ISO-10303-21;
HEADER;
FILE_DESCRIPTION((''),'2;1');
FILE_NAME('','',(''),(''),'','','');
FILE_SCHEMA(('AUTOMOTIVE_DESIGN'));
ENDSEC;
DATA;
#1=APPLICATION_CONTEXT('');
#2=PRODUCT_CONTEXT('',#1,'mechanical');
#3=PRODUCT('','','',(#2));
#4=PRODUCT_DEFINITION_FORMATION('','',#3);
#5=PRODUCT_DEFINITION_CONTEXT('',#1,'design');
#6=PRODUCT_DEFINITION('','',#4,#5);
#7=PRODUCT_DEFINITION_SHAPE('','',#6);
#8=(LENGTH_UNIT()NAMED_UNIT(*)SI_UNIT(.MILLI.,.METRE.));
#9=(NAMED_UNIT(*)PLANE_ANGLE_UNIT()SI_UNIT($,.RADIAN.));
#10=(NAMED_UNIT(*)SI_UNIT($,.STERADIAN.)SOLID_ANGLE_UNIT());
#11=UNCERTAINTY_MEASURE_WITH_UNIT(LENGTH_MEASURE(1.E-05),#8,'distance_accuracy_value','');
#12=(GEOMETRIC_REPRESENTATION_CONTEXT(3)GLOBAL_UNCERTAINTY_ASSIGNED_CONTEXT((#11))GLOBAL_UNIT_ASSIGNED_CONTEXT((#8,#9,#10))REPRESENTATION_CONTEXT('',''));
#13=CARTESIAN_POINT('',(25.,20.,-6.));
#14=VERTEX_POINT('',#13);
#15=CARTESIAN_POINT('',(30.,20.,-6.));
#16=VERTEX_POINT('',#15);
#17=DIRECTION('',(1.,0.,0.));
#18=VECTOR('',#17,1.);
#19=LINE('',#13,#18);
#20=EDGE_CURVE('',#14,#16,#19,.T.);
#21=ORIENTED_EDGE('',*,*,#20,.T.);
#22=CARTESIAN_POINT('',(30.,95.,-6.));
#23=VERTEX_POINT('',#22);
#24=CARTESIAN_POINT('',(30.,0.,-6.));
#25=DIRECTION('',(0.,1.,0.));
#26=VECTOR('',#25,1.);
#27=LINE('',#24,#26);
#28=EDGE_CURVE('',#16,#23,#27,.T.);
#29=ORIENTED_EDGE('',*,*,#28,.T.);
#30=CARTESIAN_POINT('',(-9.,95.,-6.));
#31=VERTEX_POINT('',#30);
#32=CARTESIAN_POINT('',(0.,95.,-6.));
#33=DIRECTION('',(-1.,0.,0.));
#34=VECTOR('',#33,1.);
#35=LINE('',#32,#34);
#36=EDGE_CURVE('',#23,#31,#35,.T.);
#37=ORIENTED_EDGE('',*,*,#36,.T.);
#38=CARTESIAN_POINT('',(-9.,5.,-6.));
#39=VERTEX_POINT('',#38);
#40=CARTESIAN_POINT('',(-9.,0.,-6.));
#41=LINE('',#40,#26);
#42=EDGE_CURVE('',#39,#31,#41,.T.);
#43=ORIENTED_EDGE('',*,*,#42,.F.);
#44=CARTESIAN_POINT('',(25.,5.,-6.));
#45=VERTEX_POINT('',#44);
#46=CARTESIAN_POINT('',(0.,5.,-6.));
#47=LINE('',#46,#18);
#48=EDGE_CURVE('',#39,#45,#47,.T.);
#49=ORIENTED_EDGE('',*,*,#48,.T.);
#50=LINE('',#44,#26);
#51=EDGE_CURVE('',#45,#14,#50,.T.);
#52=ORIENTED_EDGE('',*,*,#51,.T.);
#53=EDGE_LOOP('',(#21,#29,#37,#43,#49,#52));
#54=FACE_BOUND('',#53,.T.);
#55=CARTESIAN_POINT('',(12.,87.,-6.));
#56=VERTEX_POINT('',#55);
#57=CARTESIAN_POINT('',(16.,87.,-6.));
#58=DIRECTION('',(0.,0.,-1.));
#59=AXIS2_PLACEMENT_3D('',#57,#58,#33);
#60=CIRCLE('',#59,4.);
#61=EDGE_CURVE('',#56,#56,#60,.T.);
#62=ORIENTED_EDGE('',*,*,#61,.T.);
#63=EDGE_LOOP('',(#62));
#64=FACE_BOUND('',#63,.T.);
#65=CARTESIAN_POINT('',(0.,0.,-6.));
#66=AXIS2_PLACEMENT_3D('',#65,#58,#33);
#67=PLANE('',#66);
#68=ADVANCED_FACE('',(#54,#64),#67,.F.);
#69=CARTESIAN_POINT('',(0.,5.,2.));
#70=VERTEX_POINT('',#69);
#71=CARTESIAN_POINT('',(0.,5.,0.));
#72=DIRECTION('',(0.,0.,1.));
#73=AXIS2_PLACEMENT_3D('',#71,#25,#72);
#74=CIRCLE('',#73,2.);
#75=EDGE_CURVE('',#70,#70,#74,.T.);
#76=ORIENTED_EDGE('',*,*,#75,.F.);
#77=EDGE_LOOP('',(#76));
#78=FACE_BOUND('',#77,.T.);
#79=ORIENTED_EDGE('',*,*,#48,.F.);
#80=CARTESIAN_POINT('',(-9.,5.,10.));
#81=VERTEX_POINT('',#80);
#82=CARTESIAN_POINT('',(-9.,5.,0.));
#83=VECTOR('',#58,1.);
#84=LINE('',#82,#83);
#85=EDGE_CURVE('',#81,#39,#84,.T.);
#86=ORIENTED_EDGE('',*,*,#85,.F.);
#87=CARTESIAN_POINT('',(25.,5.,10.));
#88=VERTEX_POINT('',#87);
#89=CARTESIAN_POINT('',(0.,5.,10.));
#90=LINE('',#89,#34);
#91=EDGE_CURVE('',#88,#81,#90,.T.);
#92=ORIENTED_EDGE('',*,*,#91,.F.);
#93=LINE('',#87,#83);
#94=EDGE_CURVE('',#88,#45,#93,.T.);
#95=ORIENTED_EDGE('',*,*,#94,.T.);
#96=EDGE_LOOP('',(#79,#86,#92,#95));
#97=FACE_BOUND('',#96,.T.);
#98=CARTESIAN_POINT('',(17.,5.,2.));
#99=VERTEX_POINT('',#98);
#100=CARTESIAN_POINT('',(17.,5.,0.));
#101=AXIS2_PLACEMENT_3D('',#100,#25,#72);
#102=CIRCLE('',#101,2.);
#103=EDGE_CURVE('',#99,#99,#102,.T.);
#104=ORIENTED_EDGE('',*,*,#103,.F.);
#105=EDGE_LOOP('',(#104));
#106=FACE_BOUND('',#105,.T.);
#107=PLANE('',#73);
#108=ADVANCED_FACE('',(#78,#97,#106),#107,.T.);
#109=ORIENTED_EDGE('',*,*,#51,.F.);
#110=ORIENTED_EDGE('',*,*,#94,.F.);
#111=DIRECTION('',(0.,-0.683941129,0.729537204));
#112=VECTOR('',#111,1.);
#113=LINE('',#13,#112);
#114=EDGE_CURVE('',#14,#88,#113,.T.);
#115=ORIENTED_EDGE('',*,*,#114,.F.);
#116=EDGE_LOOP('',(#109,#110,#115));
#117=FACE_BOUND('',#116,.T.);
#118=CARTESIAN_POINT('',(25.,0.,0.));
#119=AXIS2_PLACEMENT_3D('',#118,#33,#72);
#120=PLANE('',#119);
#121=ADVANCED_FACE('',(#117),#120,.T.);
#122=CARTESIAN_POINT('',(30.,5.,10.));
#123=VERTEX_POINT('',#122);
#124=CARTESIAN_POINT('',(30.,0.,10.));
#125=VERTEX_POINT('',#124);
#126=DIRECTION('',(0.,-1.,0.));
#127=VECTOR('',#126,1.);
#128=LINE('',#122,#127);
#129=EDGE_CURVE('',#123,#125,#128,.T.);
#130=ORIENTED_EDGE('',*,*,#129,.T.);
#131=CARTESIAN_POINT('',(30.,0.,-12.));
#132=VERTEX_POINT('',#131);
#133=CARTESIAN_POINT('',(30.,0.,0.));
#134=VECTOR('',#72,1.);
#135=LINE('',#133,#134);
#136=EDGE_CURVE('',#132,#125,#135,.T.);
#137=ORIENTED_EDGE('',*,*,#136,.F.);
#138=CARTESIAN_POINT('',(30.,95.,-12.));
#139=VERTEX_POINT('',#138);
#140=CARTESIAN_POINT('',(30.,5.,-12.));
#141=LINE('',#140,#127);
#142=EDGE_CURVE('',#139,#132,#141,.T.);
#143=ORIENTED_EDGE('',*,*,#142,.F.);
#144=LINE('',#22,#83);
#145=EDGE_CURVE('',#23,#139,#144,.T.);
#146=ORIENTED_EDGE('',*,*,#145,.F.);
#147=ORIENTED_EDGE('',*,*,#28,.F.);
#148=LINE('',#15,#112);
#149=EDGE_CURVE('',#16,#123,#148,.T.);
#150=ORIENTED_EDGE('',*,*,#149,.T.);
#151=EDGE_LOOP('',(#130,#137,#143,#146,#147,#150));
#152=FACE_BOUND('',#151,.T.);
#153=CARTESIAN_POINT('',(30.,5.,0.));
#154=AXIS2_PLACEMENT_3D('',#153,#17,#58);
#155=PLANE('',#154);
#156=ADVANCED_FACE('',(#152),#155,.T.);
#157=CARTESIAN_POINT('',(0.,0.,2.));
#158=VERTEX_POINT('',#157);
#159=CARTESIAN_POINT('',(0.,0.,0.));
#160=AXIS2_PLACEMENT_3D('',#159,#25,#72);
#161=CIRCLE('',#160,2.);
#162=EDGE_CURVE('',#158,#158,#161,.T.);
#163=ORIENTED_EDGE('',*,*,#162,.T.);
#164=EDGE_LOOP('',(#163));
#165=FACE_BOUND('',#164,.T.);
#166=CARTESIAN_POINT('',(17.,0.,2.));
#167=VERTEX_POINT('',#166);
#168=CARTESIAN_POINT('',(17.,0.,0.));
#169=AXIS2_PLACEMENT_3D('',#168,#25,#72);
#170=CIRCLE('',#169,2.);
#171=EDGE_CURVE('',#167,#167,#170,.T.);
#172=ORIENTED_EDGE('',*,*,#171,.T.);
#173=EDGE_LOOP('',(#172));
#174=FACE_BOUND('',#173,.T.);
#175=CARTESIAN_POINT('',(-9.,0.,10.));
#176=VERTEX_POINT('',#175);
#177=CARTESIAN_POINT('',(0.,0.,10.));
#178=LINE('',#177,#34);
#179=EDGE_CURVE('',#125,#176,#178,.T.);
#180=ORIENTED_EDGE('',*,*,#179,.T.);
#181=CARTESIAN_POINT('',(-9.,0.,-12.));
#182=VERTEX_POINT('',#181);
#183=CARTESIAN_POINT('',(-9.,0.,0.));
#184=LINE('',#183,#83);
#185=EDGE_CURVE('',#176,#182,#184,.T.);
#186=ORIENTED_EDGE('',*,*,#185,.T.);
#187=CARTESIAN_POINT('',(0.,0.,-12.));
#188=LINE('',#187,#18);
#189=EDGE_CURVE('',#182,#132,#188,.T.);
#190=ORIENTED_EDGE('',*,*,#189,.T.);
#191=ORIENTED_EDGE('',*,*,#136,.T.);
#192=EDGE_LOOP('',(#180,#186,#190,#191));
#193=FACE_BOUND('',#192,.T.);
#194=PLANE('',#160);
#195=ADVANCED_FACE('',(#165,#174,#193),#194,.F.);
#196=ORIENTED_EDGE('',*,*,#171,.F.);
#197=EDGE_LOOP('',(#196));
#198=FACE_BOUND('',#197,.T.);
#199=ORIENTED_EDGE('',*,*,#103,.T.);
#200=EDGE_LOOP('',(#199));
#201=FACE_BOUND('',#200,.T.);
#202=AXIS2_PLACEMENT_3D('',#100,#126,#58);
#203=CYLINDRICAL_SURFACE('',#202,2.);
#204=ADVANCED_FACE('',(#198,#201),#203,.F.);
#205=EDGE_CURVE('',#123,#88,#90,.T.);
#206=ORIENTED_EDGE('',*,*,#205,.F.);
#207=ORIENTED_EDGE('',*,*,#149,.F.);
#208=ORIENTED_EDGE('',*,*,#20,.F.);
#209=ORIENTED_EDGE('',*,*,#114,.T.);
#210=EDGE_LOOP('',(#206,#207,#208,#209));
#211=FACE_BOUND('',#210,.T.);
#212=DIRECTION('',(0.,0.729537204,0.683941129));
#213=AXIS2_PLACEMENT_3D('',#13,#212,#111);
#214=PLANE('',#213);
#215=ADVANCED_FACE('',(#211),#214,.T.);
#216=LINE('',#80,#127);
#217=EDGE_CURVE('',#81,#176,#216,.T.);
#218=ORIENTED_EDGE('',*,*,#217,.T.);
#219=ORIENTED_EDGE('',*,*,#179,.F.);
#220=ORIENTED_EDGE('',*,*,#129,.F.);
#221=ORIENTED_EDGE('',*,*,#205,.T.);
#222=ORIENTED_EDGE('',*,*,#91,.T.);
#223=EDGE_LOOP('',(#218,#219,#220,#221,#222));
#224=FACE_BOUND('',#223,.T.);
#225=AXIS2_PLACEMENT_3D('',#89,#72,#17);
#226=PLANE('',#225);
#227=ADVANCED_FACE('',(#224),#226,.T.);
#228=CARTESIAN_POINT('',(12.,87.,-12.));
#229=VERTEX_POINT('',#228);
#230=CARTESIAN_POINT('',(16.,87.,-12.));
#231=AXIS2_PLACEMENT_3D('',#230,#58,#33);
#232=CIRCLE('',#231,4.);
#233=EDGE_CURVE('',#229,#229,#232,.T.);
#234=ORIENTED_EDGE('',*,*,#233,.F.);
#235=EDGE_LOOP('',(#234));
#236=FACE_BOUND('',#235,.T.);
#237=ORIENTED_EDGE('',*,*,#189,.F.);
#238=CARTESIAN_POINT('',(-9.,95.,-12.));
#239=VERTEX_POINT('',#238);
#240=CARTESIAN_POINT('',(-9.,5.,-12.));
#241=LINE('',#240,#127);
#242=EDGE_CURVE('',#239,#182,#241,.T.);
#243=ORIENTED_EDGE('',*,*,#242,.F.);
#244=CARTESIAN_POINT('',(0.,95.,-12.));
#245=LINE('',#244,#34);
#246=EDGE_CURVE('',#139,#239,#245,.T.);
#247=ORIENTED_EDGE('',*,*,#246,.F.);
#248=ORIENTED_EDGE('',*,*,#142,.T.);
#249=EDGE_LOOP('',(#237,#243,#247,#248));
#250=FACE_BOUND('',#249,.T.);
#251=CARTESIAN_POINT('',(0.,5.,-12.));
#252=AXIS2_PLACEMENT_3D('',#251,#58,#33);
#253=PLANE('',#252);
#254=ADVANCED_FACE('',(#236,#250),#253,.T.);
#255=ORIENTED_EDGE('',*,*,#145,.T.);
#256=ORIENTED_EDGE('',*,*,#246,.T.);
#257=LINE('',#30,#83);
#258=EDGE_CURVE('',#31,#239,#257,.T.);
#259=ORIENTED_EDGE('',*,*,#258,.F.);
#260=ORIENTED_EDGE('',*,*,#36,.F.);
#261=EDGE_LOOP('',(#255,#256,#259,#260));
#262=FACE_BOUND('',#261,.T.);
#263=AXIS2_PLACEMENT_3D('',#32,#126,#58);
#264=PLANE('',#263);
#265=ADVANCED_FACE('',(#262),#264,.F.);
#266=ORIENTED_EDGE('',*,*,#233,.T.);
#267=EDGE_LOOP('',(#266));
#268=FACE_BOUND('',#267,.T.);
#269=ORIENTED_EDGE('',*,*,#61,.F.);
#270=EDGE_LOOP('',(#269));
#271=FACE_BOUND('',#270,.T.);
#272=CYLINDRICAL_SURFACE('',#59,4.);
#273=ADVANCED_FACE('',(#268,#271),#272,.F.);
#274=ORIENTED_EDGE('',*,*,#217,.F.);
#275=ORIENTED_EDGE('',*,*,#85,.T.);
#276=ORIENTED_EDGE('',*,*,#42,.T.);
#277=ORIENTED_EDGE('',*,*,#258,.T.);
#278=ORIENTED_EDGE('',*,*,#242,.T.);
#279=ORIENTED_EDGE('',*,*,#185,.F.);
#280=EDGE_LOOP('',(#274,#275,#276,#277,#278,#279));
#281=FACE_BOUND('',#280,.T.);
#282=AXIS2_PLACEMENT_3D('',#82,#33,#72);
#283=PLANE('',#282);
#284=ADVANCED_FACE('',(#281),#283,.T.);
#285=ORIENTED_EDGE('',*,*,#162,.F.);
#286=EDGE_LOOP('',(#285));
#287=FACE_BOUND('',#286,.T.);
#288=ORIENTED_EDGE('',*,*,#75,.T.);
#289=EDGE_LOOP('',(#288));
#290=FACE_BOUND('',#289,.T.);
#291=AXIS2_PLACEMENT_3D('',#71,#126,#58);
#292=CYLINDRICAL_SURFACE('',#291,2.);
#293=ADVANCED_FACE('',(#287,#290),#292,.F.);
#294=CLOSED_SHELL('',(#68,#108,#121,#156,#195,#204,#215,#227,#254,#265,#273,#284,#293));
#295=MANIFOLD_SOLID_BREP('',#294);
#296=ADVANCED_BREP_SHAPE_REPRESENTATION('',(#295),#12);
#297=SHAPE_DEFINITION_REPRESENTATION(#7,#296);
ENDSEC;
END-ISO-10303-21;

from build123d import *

# Parameters (mm, degrees)
SKETCH1_W           = 39
SKETCH1_H           = 22
SKETCH1_R           = 2
BOSS_EXTRUDE1_DEPTH = 5
SKETCH4_R           = 4
BOSS_EXTRUDE2_DEPTH = 6
BOSS_EXTRUDE3_DEPTH = 5


with BuildPart() as part:
    # Sketch1 → Boss-Extrude1 (new body)
    with BuildSketch(Plane(origin=(0, 0, 0), x_dir=(1, 0, 0), z_dir=(0, 1, 0))):
        with Locations((10.5, 1)):
            Rectangle(SKETCH1_W, SKETCH1_H)
        with Locations(Location((0, 0, 0), (0, 0, 270))):
            Circle(SKETCH1_R, mode=Mode.SUBTRACT)
        with Locations(Location((17, 0, 0), (0, 0, 270))):
            Circle(SKETCH1_R, mode=Mode.SUBTRACT)
    extrude(amount=BOSS_EXTRUDE1_DEPTH)

    # Sketch4 → Boss-Extrude2 (add)
    with BuildSketch(Plane(origin=(0, 0, -12), x_dir=(-1, 0, 0), z_dir=(0, 0, -1))):
        Polygon((-30, 5), (9, 5), (9, 15), (9, 95), (-30, 95), (-30, 15), align=None)
        with Locations((-16, 87)):
            Circle(SKETCH4_R, mode=Mode.SUBTRACT)
    extrude(amount=-BOSS_EXTRUDE2_DEPTH)

    # Sketch5 → Boss-Extrude3 (add)
    with BuildSketch(Plane(origin=(30, 0, 0), x_dir=(0, 0, -1), z_dir=(1, 0, 0))):
        Polygon((-10, 5), (6, 5), (6, 20), align=None)
    extrude(amount=-BOSS_EXTRUDE3_DEPTH)


solid = part.part
